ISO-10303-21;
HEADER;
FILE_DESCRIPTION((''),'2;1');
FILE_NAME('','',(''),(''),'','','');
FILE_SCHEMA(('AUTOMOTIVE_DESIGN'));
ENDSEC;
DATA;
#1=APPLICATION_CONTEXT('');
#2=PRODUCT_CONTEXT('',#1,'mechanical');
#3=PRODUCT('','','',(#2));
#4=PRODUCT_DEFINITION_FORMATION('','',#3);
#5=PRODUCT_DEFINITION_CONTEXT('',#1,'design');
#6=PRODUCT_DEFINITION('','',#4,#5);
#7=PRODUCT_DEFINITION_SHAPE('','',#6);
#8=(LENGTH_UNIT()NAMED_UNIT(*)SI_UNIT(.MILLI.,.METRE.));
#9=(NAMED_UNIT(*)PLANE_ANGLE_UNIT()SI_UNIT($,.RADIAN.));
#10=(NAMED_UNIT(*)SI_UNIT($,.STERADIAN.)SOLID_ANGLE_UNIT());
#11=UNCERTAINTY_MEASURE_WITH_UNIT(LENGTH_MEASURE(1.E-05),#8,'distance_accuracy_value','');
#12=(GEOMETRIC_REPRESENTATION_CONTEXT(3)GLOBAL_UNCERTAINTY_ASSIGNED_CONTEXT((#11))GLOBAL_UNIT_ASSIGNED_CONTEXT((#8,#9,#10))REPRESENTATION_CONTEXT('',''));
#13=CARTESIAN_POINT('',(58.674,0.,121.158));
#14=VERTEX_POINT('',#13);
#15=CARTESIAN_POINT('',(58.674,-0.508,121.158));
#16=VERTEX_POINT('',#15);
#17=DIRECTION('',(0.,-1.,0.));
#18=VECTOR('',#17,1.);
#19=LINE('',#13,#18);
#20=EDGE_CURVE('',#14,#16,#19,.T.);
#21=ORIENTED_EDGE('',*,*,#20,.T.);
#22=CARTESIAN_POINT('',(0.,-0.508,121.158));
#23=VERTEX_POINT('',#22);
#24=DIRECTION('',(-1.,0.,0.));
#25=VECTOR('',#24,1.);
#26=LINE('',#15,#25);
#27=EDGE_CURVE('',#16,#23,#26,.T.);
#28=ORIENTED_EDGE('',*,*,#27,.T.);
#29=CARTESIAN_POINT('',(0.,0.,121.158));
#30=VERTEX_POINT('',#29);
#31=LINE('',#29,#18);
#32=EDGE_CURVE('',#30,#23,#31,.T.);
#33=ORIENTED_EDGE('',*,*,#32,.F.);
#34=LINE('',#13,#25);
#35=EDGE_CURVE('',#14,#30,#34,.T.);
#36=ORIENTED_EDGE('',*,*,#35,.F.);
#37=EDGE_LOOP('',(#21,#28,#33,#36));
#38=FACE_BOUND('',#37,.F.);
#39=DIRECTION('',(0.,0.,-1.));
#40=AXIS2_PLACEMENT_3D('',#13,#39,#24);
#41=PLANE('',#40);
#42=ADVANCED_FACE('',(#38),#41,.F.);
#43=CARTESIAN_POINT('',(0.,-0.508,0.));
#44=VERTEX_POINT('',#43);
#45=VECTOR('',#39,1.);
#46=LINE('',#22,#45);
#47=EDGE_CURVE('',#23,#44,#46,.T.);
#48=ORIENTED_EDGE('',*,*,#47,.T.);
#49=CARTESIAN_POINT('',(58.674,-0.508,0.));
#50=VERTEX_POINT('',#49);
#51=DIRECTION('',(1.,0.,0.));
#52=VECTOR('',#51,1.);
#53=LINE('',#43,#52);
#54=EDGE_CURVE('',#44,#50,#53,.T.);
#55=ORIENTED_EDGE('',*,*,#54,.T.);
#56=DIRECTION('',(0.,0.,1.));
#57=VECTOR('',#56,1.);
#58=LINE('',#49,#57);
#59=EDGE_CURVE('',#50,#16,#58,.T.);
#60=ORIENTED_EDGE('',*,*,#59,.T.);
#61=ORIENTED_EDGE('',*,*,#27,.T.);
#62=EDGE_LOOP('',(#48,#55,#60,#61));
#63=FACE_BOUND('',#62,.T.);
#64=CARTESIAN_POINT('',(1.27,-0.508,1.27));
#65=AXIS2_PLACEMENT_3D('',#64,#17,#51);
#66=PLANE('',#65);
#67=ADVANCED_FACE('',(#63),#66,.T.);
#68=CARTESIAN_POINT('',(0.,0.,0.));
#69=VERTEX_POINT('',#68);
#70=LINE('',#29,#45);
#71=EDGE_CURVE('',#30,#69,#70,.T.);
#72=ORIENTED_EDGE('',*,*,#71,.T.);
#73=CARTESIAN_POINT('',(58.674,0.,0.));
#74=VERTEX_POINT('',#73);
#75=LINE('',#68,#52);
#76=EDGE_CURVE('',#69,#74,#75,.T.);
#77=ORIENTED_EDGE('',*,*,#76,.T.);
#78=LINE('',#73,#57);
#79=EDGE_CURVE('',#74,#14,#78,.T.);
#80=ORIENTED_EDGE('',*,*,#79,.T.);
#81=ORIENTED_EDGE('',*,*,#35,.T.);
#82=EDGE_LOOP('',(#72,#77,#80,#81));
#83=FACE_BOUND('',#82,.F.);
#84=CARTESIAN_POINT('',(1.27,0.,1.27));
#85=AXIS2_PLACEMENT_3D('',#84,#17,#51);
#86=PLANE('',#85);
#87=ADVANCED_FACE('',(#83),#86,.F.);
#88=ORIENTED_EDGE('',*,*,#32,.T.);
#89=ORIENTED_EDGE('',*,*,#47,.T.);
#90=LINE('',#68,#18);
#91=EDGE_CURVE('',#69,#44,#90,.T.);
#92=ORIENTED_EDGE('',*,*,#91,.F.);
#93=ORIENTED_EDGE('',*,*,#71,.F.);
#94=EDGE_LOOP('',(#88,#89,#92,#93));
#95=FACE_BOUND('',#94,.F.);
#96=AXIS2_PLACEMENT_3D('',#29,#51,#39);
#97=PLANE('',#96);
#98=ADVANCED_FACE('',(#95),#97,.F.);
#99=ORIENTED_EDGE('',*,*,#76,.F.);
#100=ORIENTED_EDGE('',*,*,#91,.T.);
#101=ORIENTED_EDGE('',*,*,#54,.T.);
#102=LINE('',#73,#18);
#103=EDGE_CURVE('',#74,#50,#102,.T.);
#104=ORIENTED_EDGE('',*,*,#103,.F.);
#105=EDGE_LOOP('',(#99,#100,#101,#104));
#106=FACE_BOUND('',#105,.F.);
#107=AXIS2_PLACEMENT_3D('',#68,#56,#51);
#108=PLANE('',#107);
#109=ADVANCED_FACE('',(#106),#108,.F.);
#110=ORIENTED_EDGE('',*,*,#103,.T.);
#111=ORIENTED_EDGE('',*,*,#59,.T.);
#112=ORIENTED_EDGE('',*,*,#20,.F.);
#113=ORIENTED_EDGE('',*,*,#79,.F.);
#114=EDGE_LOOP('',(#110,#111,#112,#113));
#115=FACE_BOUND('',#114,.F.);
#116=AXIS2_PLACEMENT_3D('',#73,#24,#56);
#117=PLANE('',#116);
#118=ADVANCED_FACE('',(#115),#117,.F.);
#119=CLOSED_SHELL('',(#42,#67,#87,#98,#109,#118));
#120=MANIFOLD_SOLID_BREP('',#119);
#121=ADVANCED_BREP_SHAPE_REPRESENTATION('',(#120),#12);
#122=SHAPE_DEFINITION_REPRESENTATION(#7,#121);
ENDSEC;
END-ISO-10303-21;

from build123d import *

# Parameters (mm, degrees)
F0_W     = 2.54
F0_H     = 2.54
F1_DEPTH = 0.508


with BuildPart() as f1:
    # F0 (on Front) → F1 (new body)
    with BuildSketch(Plane.XZ):
        with Locations((1.27, 1.27)):
            Rectangle(F0_W, F0_H)
        Polygon((2.54, 2.54), (2.54, 0), (56.134, 0), (56.134, 2.54), (58.674, 2.54), (58.674, 118.618), (56.134, 118.618), (56.134, 121.158), (2.54, 121.158), (2.54, 118.618), (0, 118.618), (0, 2.54), align=None)
        with Locations((57.404, 1.27)):
            Rectangle(F0_W, F0_H)
        with Locations((1.27, 119.888)):
            Rectangle(F0_W, F0_H)
        with Locations((57.404, 119.888)):
            Rectangle(F0_W, F0_H)
    extrude(amount=F1_DEPTH)


solid = f1.part
